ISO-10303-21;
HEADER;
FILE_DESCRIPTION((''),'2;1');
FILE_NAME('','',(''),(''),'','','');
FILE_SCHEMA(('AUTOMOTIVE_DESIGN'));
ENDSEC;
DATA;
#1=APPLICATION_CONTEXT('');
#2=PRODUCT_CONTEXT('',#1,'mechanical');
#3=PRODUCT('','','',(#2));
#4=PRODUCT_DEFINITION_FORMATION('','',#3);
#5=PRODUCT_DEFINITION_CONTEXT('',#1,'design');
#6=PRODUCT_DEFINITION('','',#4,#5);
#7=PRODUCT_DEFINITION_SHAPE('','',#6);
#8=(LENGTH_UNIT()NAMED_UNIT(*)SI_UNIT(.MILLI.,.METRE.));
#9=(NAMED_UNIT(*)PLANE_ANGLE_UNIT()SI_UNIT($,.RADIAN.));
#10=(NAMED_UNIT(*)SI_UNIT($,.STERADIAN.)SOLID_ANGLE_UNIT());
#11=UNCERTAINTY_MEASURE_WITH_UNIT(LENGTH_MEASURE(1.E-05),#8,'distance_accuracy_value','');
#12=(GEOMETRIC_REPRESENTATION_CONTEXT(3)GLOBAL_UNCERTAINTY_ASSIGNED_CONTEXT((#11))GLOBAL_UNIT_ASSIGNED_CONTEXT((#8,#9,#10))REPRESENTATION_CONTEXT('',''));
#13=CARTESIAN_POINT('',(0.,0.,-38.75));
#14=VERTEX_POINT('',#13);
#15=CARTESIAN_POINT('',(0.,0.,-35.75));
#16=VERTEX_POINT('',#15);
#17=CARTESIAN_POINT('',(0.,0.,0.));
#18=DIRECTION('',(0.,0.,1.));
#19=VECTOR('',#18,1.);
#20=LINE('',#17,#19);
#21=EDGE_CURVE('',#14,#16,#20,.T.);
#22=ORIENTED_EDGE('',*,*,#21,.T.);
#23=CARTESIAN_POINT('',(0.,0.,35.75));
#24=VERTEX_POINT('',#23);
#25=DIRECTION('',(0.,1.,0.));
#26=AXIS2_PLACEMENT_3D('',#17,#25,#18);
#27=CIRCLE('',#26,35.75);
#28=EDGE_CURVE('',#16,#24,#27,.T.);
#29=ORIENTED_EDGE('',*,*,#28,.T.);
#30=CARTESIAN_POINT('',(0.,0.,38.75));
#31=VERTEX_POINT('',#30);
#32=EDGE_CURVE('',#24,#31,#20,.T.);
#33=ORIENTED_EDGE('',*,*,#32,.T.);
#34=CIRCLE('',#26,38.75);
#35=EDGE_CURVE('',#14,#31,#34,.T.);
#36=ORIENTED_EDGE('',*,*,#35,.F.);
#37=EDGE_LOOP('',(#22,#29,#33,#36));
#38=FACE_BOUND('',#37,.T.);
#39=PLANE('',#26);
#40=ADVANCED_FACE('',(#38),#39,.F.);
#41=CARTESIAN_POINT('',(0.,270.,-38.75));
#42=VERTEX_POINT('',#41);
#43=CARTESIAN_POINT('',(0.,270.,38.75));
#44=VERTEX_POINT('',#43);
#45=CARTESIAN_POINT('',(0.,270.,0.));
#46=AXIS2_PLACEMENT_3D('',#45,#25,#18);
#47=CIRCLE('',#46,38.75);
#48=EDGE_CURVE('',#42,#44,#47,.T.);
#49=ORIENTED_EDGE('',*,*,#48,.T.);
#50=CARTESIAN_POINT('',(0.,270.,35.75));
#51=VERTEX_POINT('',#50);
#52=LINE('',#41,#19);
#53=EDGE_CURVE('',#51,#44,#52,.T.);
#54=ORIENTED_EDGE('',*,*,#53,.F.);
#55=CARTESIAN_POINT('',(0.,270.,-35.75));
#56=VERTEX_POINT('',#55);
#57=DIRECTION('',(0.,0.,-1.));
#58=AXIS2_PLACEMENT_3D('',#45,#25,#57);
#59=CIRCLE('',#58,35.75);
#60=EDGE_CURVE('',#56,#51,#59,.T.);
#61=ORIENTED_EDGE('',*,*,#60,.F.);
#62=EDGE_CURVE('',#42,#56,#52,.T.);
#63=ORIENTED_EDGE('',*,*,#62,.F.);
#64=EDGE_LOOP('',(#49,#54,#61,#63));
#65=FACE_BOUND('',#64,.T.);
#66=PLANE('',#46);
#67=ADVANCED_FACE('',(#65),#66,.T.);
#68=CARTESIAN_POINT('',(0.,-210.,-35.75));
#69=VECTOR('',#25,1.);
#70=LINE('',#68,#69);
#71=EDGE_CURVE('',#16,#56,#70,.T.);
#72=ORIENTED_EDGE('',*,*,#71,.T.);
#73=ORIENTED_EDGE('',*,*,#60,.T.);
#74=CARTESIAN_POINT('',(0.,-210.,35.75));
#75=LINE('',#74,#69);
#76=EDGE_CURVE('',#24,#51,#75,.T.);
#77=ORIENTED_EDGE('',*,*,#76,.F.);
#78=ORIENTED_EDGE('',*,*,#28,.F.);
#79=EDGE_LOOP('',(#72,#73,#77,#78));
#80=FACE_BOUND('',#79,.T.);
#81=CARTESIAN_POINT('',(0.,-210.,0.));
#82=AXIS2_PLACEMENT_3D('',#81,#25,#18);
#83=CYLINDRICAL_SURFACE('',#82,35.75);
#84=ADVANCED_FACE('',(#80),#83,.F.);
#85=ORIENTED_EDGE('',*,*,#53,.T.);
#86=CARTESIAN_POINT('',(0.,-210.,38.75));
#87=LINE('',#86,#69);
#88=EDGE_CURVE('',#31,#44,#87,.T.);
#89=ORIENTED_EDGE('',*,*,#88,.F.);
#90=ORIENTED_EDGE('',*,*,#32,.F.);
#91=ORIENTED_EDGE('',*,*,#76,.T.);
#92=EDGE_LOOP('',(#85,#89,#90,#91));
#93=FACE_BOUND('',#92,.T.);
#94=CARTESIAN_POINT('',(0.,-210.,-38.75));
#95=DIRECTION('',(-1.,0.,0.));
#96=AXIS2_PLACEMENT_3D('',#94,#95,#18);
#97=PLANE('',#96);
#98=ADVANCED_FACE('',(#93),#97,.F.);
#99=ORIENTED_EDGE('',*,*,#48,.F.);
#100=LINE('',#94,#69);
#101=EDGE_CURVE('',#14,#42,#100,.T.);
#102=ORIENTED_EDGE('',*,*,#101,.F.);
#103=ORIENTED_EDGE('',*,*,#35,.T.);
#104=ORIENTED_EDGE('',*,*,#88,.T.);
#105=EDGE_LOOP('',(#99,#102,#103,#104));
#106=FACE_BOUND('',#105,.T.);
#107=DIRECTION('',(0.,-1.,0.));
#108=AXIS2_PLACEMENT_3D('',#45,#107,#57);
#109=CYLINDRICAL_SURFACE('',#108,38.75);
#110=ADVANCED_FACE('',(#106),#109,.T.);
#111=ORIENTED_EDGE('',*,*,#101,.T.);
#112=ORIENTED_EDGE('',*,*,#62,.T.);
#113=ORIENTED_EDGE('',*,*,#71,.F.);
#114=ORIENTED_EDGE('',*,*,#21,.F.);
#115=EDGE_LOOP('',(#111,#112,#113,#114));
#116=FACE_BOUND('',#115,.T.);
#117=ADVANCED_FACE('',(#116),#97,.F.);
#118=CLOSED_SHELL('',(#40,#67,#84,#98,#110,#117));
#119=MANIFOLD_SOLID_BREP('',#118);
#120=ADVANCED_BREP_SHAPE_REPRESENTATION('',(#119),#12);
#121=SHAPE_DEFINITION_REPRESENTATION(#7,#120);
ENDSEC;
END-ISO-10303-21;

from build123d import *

# Parameters (mm, degrees)
SKETCH1_R           = 38.75
BOSS_EXTRUDE2_DEPTH = 270
CUT_EXTRUDE2_DEPTH  = 480
SKETCH4_W           = 38.75
SKETCH4_H           = 77.5
CUT_EXTRUDE3_DEPTH  = 480


with BuildPart() as part:
    # Sketch1 → Boss-Extrude2 (new body)
    with BuildSketch(Plane(origin=(0, 0, 0), x_dir=(1, 0, 0), z_dir=(0, 1, 0))):
        with Locations(Location((0, 0, 0), (0, 0, 270))):
            Circle(SKETCH1_R)
    extrude(amount=BOSS_EXTRUDE2_DEPTH)

    # Sketch3 → Cut-Extrude2 (cut)
    with BuildSketch(Plane(origin=(0, 270, 0), x_dir=(1, 0, 0), z_dir=(0, 1, 0))):
        with BuildLine():
            Line((0, -35.75), (0, 35.75))
            ThreePointArc((0, 35.75), (-35.75, 0), (0, -35.75))
        make_face()
    extrude(amount=-CUT_EXTRUDE2_DEPTH, mode=Mode.SUBTRACT)

    # Sketch4 → Cut-Extrude3 (cut)
    with BuildSketch(Plane(origin=(0, 270, 0), x_dir=(1, 0, 0), z_dir=(0, 1, 0))):
        with Locations((19.375, 0)):
            Rectangle(SKETCH4_W, SKETCH4_H)
    extrude(amount=-CUT_EXTRUDE3_DEPTH, mode=Mode.SUBTRACT)


solid = part.part
